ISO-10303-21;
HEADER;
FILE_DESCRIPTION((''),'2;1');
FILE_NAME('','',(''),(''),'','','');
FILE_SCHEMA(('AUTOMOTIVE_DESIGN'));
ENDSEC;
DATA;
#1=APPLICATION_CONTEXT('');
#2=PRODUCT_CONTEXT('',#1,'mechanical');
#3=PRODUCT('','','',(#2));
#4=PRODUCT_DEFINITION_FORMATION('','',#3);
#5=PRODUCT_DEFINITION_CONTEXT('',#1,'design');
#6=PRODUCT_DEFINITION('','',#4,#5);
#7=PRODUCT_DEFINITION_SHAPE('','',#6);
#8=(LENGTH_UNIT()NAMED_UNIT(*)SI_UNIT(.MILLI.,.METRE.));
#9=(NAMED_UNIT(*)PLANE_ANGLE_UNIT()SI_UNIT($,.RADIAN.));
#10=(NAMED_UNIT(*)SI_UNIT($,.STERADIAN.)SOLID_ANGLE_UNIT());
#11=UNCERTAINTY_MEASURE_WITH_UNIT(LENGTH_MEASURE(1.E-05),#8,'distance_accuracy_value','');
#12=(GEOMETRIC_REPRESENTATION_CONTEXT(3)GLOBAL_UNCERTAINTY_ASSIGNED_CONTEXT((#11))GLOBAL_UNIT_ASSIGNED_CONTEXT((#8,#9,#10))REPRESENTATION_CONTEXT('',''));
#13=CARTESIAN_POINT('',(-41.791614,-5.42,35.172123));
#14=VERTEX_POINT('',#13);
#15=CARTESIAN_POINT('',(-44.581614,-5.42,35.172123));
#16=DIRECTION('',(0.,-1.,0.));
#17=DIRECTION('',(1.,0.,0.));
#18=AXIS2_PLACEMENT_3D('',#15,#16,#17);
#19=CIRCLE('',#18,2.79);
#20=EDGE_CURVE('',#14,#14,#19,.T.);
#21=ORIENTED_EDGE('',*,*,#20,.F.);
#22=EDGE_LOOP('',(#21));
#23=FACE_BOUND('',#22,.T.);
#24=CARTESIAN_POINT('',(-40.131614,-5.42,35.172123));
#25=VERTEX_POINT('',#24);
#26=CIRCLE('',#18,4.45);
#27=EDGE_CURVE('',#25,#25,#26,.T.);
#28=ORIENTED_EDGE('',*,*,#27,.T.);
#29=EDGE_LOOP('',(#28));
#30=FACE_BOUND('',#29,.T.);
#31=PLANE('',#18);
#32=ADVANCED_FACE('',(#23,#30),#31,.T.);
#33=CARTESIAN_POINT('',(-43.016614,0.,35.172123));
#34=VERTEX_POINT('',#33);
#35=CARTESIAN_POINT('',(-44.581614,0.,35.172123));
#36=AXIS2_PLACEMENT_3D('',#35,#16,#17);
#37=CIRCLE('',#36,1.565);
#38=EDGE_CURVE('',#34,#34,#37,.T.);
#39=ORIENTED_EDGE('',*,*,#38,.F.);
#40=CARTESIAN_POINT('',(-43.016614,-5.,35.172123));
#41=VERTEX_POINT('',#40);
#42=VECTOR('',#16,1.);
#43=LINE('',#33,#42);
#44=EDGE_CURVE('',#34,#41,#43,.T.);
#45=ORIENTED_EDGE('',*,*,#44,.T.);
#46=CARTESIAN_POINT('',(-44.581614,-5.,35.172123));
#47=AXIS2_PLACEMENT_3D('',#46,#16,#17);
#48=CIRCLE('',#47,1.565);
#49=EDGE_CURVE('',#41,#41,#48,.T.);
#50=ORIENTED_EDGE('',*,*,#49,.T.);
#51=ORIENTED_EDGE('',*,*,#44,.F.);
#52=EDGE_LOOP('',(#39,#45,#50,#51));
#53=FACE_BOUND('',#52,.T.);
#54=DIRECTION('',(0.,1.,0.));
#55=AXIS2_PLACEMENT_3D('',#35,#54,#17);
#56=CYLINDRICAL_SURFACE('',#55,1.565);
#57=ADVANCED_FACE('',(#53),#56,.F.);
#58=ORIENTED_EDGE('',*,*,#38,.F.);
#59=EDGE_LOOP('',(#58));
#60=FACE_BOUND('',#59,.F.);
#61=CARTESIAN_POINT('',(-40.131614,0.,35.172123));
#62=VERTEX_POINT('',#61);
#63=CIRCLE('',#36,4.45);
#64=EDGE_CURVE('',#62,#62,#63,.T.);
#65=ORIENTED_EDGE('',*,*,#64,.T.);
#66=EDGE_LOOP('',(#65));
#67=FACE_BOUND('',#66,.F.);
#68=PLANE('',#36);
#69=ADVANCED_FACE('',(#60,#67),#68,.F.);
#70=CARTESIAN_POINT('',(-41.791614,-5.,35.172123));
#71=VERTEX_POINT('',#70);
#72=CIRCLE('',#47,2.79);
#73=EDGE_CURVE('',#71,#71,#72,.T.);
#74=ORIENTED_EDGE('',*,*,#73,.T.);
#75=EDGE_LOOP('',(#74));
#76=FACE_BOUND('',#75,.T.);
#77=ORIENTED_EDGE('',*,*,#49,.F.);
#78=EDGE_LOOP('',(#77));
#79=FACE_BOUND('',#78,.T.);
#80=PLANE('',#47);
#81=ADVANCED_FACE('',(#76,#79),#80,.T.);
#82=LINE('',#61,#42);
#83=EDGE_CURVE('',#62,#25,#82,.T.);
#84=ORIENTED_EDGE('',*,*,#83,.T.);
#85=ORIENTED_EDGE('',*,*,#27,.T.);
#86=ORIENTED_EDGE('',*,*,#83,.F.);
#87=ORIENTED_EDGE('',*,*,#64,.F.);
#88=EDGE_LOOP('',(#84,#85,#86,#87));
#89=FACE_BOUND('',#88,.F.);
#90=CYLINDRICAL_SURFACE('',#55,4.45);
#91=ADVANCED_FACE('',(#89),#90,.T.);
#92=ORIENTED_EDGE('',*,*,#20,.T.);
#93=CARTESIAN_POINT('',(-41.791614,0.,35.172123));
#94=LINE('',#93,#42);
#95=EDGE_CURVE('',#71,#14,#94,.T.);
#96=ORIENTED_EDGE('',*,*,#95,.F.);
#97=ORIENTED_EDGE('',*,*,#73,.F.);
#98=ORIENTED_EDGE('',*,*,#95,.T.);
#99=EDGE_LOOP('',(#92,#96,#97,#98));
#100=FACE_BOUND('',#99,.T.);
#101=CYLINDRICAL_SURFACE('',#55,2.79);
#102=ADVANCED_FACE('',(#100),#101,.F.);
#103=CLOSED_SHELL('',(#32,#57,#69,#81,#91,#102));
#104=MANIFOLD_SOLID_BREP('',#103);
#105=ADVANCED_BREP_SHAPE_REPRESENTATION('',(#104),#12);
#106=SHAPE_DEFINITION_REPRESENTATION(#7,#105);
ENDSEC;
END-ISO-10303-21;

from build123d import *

# Parameters (mm, degrees)
F0_R     = 4.45
F0_R_2   = 2.79
F1_DEPTH = 5.42
F0_R_3   = 1.565
F2_DEPTH = 5
F3_DEPTH = 5.42


with BuildPart() as f1:
    # F0 (on Front) → F1 (new body)
    with BuildSketch(Plane.XZ):
        with Locations((-44.581614, 35.172123)):
            Circle(F0_R)
        with Locations((-44.581614, 35.172123)):
            Circle(F0_R_2, mode=Mode.SUBTRACT)
    extrude(amount=F1_DEPTH)

    # F0 (on Front) → F2 (join)
    with BuildSketch(Plane.XZ):
        with Locations((-44.581614, 35.172123)):
            Circle(F0_R_2)
        with Locations((-44.581614, 35.172123)):
            Circle(F0_R_3, mode=Mode.SUBTRACT)
    extrude(amount=F2_DEPTH)

    # F0 (on Front) → F3 (cut)
    with BuildSketch(Plane.XZ):
        with Locations((-44.581614, 35.172123)):
            Circle(F0_R_3)
    extrude(amount=-F3_DEPTH, mode=Mode.SUBTRACT)


solid = f1.part
